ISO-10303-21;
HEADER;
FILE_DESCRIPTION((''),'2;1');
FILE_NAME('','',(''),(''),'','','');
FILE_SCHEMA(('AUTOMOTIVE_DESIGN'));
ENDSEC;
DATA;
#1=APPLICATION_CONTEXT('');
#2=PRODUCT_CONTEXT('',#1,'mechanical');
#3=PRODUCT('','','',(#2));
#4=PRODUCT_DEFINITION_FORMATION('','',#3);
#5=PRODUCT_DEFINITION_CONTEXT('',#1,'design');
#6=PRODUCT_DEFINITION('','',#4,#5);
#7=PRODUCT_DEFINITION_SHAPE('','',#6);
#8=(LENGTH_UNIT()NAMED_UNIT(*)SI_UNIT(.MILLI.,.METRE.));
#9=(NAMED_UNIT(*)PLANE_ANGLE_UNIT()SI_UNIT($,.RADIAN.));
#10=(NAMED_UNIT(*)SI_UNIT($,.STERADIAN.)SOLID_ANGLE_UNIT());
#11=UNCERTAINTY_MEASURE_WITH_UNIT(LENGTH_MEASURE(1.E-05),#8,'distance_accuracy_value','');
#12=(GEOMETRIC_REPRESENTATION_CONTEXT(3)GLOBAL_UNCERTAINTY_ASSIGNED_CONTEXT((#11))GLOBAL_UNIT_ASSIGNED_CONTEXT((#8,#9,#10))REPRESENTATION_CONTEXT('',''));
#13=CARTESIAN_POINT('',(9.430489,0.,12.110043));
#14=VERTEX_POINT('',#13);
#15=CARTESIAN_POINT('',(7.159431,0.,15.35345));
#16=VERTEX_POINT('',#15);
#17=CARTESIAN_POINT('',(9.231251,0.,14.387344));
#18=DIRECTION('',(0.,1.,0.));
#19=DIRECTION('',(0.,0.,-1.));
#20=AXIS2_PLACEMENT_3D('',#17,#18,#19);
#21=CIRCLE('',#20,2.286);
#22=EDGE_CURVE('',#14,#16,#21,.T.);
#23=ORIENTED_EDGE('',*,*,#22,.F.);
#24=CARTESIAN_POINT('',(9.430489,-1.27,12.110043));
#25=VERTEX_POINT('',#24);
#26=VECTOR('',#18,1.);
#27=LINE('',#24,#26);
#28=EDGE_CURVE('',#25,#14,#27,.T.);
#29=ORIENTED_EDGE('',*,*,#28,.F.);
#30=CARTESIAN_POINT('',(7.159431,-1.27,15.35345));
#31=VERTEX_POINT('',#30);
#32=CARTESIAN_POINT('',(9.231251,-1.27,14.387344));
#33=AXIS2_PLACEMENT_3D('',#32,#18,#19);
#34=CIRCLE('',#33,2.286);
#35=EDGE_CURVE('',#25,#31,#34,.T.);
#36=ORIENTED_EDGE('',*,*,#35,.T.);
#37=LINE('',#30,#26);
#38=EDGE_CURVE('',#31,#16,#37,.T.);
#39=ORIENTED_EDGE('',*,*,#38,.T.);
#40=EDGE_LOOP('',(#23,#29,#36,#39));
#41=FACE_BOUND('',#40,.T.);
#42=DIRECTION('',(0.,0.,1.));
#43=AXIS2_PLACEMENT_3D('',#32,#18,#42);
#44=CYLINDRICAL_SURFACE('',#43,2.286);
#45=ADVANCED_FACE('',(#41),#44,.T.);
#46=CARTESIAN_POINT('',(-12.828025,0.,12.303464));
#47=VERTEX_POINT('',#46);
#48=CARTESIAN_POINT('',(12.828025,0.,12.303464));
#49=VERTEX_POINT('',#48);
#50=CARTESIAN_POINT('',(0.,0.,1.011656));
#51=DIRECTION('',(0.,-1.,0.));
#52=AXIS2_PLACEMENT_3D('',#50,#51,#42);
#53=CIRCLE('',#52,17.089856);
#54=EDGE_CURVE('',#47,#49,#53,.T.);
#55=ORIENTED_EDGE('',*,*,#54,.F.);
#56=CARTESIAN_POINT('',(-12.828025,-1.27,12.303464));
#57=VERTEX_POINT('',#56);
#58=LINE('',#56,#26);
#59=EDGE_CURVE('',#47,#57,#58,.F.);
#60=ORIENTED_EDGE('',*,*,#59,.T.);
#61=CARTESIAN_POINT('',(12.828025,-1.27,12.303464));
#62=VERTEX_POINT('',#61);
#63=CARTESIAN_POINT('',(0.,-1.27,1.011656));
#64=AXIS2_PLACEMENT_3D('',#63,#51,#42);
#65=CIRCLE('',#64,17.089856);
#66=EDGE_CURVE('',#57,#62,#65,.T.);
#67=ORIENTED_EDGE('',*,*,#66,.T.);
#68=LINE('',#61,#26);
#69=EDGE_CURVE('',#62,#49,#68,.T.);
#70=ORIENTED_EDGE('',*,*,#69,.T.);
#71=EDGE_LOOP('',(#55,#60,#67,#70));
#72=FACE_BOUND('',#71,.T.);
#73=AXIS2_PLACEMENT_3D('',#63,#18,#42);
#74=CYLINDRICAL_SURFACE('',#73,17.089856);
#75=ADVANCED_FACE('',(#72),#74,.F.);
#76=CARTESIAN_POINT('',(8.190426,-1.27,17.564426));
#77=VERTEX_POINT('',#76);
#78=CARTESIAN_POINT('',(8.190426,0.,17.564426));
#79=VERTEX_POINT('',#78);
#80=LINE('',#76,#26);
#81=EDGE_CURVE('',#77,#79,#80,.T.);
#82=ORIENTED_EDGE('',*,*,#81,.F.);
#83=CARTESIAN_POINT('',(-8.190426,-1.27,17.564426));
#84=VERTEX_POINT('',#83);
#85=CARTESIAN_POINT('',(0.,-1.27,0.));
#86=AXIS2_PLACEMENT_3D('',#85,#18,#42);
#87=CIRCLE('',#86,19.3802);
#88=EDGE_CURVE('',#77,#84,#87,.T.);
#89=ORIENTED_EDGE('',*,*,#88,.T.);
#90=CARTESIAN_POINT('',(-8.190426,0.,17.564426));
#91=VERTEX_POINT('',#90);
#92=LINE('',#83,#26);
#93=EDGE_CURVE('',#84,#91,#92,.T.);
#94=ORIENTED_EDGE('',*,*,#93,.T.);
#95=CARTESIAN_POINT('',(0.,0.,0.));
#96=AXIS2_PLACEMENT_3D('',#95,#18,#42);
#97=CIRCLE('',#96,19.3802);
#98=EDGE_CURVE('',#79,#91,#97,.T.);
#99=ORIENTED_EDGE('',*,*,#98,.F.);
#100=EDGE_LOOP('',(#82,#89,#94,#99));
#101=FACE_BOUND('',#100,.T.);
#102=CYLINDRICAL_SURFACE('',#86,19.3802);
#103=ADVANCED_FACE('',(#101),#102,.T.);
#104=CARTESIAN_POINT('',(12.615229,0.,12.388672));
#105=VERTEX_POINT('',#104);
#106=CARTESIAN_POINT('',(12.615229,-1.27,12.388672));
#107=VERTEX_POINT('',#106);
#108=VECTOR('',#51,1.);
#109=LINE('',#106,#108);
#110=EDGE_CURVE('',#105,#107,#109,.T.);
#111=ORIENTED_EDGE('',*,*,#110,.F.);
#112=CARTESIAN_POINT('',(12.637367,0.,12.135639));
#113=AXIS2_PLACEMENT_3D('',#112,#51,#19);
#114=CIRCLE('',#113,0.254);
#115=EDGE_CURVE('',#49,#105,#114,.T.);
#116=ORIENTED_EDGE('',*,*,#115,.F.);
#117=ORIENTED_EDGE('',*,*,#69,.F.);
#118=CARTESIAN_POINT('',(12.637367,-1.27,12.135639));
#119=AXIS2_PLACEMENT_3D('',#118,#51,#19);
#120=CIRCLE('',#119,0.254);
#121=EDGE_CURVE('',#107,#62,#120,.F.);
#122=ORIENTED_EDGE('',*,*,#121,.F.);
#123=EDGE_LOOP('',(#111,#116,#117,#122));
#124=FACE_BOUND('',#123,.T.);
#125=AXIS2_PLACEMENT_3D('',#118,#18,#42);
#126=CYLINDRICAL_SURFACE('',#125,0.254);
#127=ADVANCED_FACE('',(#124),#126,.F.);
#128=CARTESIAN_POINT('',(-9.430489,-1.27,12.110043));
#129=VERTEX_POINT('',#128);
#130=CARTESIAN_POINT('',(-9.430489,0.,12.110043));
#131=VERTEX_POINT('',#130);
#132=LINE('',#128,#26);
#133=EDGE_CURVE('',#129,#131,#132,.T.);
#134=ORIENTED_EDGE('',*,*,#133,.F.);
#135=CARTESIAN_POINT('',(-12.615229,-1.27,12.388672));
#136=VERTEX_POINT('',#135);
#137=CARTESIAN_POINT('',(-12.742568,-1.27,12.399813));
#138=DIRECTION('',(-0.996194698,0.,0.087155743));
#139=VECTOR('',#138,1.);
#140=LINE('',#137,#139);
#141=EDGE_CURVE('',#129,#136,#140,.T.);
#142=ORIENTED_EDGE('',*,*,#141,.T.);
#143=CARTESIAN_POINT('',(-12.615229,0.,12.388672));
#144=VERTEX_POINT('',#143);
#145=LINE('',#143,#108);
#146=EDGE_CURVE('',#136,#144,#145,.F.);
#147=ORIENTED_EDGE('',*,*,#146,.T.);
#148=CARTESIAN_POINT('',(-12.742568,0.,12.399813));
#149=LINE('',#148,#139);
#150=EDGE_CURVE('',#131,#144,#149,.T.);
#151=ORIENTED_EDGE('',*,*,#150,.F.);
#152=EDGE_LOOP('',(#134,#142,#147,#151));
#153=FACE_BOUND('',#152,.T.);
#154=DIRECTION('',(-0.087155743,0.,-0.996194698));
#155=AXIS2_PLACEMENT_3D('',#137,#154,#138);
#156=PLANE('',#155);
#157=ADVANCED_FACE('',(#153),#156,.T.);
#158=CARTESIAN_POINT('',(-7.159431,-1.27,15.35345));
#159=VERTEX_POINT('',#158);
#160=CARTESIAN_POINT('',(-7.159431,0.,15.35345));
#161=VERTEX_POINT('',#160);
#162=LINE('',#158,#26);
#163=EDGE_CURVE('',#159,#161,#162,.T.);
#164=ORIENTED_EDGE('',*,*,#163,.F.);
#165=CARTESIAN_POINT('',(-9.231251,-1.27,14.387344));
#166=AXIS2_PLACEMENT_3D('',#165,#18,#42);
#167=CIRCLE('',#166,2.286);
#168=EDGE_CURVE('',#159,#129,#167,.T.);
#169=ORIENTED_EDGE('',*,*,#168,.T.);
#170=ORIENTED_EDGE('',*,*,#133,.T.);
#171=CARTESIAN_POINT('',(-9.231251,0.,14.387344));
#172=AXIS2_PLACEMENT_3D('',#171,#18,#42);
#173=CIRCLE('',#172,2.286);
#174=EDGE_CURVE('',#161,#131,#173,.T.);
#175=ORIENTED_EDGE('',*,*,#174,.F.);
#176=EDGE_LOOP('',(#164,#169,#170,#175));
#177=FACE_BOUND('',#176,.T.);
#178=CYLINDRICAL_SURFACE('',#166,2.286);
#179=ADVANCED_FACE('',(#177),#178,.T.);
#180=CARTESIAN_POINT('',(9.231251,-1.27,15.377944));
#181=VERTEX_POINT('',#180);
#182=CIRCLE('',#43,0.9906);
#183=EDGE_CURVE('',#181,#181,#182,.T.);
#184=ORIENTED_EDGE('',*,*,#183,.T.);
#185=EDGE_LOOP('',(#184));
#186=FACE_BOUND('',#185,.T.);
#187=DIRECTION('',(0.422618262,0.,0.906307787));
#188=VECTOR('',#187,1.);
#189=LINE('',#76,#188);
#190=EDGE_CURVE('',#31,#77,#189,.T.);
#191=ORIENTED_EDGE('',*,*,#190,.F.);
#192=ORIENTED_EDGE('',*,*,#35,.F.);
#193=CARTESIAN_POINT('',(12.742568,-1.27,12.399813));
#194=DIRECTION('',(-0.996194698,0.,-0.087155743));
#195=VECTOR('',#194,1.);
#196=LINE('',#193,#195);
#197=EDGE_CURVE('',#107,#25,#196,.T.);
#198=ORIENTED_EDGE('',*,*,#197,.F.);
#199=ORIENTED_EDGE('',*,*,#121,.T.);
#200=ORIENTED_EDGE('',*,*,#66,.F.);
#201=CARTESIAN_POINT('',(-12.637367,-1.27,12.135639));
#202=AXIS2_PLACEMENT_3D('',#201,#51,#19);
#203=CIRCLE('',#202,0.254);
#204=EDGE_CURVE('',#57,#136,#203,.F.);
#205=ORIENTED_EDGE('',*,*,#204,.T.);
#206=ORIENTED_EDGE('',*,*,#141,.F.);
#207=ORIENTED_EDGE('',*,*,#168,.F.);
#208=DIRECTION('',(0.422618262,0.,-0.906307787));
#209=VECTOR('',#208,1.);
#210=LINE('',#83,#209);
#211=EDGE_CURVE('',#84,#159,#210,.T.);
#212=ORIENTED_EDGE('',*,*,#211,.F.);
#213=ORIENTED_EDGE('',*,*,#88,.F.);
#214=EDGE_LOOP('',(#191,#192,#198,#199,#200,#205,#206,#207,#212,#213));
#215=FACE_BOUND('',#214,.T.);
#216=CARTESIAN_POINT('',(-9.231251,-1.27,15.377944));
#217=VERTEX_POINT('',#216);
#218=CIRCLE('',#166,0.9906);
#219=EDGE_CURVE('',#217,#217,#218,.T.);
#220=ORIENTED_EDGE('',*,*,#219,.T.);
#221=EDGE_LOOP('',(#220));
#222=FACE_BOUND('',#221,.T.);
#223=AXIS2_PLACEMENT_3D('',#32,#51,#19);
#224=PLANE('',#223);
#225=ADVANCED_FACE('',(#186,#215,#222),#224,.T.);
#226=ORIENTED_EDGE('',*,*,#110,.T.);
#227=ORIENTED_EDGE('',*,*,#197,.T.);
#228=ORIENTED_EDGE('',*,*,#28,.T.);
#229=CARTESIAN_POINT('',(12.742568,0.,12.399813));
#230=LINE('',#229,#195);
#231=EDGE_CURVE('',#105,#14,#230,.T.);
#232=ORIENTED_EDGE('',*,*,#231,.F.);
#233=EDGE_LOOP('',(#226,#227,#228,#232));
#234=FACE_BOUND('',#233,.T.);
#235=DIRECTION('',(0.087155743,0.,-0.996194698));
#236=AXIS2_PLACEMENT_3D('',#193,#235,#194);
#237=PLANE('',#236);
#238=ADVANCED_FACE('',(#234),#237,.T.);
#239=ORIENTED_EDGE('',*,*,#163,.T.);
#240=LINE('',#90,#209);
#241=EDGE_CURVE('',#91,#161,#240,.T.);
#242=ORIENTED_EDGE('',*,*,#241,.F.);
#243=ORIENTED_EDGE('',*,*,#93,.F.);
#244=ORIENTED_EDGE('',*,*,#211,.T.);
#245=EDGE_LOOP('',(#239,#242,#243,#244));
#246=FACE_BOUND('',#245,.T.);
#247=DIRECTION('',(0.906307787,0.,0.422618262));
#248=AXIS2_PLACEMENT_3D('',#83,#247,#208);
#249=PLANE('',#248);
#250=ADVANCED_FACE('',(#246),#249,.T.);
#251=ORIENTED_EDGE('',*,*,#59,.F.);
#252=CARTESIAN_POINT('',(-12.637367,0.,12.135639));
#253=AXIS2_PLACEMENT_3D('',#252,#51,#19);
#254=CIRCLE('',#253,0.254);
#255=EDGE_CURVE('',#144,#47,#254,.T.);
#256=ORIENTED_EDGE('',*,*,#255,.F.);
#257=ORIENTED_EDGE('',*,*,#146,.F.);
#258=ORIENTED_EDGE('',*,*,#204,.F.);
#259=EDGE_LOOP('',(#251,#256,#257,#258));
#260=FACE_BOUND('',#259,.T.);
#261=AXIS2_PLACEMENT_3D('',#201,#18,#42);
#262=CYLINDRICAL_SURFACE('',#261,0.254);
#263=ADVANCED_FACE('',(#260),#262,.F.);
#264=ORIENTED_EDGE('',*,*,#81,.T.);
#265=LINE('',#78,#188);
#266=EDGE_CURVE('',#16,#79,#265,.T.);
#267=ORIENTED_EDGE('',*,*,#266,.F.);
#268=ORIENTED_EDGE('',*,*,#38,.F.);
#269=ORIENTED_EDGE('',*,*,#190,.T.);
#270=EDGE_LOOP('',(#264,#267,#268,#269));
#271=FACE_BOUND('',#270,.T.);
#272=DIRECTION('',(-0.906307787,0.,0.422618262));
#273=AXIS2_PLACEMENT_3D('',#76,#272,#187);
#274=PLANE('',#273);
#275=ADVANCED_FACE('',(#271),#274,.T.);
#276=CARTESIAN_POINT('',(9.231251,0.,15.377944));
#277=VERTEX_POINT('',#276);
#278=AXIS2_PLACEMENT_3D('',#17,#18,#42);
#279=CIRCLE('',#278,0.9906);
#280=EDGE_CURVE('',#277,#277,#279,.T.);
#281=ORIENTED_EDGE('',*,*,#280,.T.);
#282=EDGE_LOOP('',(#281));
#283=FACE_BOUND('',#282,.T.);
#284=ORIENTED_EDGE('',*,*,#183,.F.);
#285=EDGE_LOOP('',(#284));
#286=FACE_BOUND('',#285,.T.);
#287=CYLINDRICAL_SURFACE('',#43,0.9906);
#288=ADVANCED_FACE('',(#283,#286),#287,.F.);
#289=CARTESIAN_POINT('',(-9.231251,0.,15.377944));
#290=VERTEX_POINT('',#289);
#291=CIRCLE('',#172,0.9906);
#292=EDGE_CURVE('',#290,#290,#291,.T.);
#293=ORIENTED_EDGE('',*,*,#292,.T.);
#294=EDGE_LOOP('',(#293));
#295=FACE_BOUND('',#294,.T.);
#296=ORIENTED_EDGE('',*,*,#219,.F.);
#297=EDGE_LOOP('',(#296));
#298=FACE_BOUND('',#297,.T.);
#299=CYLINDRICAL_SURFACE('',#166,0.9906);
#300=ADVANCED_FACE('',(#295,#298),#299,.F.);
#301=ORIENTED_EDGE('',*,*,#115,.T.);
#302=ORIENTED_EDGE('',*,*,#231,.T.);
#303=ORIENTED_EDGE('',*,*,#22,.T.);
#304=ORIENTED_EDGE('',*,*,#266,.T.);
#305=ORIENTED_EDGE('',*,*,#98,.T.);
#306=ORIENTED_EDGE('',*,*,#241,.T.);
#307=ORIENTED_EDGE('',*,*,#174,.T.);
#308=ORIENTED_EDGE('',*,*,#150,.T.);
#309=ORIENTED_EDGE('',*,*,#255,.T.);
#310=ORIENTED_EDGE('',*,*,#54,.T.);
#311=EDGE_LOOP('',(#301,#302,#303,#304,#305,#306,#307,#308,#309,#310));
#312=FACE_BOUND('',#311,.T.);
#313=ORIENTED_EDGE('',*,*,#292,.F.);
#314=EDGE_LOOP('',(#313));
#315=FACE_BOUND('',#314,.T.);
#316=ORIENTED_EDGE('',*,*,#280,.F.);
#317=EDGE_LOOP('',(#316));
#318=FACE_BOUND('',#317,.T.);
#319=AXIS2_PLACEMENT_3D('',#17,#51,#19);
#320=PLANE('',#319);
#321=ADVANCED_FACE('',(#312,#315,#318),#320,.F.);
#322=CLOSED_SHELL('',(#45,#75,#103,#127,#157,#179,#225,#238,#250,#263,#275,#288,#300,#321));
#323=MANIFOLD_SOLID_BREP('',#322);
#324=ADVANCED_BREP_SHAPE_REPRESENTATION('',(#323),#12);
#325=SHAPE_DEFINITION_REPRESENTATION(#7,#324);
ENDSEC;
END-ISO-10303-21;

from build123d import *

# Parameters (mm, degrees)
SKETCH2_R      = 0.9906
EXTRUDE1_DEPTH = 1.27
FILLET1_R      = 0.254


with BuildPart() as part:
    # Sketch2 → Extrude1 (new body)
    with BuildSketch(Plane(origin=(0, 0, 0), x_dir=(1, 0, 0), z_dir=(0, 1, 0))):
        with BuildLine():
            Line((8.190426436, -17.564426174), (7.159431239, -15.353449839))
            ThreePointArc((7.159431239, -15.353449839), (7.358669267, -13.07614876), (9.430488868, -12.110043413))
            Line((9.430488868, -12.110043413), (12.742568128, -12.399812801))
            ThreePointArc((12.742568128, -12.399812801), (0, 16.0782), (-12.742568128, -12.399812801))
            Line((-12.742568128, -12.399812801), (-9.430488868, -12.110043413))
            ThreePointArc((-9.430488868, -12.110043413), (-7.358669267, -13.07614876), (-7.159431239, -15.353449839))
            Line((-7.159431239, -15.353449839), (-8.190426436, -17.564426174))
            ThreePointArc((-8.190426436, -17.564426174), (0, 19.3802), (8.190426436, -17.564426174))
        make_face()
        with Locations((9.23125084, -14.387344493)):
            Circle(SKETCH2_R, mode=Mode.SUBTRACT)
        with Locations((-9.23125084, -14.387344493)):
            Circle(SKETCH2_R, mode=Mode.SUBTRACT)
    extrude(amount=-EXTRUDE1_DEPTH)

    # Fillet1
    fillet1_edges = [part.edges().sort_by_distance(p)[0] for p in [
        (12.742568128, -0.635, 12.399812801),
        (-12.742568128, -0.635, 12.399812801),
    ]]
    fillet(fillet1_edges, radius=FILLET1_R)


solid = part.part
